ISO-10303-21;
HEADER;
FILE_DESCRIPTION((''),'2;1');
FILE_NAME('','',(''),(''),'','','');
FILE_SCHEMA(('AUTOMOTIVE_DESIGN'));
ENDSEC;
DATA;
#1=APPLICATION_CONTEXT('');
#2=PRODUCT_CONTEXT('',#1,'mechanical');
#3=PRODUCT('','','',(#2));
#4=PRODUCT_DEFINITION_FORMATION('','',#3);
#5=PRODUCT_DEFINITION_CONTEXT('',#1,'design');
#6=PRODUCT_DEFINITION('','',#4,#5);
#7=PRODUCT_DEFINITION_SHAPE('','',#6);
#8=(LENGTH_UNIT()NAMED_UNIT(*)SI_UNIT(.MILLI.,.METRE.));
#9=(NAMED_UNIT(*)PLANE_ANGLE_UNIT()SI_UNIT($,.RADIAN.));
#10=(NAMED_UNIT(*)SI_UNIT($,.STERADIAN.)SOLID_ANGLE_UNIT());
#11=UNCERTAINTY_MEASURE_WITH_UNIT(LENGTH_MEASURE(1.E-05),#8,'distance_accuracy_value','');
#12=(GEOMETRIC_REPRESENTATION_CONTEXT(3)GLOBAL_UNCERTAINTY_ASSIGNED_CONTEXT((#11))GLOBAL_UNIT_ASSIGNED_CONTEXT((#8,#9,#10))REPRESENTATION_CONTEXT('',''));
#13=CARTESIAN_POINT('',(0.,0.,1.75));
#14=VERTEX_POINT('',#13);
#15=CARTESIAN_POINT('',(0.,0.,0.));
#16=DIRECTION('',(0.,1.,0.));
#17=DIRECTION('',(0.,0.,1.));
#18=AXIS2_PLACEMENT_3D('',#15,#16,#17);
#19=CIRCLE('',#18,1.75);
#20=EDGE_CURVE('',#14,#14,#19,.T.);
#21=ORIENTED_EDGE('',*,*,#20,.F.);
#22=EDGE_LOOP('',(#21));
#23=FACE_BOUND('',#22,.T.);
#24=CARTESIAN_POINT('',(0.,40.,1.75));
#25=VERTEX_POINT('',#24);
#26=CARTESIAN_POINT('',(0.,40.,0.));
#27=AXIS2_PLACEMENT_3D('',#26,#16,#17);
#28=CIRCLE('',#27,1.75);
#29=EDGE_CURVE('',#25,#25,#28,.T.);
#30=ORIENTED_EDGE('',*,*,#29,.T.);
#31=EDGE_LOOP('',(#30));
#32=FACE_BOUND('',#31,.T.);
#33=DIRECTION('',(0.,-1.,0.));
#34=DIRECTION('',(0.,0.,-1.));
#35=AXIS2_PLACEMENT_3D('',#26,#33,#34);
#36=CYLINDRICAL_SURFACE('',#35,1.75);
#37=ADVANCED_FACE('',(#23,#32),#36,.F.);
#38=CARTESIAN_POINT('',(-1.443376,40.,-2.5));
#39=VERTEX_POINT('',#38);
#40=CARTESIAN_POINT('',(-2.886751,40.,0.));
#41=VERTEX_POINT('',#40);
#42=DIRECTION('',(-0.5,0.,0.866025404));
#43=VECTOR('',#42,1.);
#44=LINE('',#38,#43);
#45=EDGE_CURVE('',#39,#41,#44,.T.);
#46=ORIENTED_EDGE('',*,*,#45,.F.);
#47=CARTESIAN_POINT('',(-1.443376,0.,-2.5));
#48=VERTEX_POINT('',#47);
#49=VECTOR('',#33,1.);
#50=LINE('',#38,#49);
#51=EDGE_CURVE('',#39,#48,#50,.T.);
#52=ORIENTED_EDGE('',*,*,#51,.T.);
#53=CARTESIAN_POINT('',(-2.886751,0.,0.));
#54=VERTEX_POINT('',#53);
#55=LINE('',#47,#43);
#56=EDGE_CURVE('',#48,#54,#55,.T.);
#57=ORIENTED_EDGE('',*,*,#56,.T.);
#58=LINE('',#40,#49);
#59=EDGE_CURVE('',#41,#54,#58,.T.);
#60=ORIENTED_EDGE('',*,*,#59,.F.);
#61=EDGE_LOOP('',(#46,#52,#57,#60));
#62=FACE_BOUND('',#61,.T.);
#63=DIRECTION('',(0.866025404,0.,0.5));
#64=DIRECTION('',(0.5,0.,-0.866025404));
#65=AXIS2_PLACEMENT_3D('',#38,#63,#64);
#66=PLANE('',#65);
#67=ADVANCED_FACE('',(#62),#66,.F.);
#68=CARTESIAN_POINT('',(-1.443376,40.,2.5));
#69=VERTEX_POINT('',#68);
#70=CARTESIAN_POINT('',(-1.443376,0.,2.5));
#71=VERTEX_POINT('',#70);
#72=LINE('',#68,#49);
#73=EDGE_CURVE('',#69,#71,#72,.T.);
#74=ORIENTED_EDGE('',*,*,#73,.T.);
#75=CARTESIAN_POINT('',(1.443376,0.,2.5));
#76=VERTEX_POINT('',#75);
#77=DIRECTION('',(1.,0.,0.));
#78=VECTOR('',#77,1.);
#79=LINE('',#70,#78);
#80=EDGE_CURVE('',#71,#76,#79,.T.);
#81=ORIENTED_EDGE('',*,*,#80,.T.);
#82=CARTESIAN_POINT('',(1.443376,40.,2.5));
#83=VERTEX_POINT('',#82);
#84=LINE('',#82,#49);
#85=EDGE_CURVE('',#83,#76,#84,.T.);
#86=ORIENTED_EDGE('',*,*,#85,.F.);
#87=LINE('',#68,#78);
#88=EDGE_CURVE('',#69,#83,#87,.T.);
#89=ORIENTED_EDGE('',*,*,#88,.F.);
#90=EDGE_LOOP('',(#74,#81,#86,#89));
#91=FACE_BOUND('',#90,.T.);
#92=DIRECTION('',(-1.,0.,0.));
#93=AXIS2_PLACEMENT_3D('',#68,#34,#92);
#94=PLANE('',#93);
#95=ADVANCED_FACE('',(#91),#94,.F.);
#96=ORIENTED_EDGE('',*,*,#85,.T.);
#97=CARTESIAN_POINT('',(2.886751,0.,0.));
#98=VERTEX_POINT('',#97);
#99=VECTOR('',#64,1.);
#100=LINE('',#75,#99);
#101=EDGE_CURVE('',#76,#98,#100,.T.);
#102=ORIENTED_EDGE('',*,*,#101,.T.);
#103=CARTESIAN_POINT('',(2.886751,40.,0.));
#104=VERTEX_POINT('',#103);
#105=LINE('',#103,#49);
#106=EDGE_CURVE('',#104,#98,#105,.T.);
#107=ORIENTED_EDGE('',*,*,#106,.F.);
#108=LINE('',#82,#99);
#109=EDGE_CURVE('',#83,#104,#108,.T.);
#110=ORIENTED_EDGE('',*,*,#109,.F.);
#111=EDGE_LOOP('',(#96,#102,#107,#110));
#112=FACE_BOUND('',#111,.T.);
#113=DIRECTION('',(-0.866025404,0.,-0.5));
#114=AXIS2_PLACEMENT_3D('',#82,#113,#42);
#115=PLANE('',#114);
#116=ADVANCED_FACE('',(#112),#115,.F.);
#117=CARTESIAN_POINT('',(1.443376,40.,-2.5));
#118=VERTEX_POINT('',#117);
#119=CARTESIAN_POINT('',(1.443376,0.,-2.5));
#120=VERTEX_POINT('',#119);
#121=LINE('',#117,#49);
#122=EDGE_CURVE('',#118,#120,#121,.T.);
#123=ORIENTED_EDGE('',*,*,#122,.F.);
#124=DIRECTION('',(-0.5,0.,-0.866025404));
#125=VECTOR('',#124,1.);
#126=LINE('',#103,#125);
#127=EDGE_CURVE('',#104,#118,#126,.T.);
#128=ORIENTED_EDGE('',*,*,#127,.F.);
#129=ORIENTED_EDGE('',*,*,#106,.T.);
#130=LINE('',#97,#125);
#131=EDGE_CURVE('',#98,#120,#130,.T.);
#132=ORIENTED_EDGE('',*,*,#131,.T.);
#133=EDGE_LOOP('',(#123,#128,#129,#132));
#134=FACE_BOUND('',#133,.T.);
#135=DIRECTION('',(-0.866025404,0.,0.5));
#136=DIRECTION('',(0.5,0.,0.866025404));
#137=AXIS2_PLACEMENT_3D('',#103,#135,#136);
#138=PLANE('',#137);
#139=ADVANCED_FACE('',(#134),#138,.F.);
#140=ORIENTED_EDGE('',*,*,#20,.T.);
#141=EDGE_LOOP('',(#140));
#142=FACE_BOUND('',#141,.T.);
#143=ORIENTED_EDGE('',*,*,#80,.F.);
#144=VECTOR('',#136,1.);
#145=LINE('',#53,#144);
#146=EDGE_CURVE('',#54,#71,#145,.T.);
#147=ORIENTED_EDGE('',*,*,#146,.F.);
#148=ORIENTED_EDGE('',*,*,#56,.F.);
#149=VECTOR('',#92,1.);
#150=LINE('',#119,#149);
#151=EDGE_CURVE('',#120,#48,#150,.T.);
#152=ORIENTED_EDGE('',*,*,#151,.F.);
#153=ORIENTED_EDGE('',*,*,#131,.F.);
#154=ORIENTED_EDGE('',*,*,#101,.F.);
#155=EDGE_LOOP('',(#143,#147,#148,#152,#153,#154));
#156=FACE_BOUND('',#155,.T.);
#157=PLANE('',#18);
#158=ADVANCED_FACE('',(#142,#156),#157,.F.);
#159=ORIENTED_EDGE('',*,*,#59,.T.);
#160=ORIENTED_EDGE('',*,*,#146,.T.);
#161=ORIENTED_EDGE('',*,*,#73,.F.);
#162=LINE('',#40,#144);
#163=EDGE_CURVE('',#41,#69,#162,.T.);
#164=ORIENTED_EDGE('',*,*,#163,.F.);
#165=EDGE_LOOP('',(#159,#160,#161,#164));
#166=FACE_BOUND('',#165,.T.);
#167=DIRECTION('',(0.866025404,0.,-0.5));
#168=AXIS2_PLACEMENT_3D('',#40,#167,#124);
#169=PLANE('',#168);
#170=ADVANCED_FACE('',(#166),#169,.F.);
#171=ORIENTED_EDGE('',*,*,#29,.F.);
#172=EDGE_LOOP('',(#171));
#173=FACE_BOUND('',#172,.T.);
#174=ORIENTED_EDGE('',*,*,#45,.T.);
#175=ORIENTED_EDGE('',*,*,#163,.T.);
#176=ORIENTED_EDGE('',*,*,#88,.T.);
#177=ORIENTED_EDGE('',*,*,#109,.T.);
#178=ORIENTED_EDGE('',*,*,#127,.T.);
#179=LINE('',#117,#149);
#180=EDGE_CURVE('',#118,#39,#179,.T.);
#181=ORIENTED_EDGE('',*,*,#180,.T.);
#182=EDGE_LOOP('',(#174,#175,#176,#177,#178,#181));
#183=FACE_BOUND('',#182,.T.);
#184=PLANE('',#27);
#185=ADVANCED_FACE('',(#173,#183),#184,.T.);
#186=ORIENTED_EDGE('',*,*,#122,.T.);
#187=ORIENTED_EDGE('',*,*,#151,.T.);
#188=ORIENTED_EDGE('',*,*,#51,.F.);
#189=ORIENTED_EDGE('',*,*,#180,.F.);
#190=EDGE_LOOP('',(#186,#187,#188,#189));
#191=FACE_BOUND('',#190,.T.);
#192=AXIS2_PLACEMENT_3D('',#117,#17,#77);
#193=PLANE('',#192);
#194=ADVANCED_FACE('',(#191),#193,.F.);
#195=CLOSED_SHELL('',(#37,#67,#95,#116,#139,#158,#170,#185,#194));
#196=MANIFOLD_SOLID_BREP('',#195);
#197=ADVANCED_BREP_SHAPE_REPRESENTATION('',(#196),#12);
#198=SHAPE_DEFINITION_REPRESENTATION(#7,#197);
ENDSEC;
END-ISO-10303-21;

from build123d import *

# Parameters (mm, degrees)
SKETCH_1_R      = 1.75
EXTRUDE_1_DEPTH = 40


with BuildPart() as part:
    # 草圖1 → 填料-伸長1 (new body)
    with BuildSketch(Plane(origin=(0, 0, 0), x_dir=(1, 0, 0), z_dir=(0, 1, 0))):
        Polygon((2.886751346, 0), (1.443375673, 2.5), (-1.443375673, 2.5), (-2.886751346, 0), (-1.443375673, -2.5), (1.443375673, -2.5), align=None)
        Circle(SKETCH_1_R, mode=Mode.SUBTRACT)
    extrude(amount=EXTRUDE_1_DEPTH)


solid = part.part
